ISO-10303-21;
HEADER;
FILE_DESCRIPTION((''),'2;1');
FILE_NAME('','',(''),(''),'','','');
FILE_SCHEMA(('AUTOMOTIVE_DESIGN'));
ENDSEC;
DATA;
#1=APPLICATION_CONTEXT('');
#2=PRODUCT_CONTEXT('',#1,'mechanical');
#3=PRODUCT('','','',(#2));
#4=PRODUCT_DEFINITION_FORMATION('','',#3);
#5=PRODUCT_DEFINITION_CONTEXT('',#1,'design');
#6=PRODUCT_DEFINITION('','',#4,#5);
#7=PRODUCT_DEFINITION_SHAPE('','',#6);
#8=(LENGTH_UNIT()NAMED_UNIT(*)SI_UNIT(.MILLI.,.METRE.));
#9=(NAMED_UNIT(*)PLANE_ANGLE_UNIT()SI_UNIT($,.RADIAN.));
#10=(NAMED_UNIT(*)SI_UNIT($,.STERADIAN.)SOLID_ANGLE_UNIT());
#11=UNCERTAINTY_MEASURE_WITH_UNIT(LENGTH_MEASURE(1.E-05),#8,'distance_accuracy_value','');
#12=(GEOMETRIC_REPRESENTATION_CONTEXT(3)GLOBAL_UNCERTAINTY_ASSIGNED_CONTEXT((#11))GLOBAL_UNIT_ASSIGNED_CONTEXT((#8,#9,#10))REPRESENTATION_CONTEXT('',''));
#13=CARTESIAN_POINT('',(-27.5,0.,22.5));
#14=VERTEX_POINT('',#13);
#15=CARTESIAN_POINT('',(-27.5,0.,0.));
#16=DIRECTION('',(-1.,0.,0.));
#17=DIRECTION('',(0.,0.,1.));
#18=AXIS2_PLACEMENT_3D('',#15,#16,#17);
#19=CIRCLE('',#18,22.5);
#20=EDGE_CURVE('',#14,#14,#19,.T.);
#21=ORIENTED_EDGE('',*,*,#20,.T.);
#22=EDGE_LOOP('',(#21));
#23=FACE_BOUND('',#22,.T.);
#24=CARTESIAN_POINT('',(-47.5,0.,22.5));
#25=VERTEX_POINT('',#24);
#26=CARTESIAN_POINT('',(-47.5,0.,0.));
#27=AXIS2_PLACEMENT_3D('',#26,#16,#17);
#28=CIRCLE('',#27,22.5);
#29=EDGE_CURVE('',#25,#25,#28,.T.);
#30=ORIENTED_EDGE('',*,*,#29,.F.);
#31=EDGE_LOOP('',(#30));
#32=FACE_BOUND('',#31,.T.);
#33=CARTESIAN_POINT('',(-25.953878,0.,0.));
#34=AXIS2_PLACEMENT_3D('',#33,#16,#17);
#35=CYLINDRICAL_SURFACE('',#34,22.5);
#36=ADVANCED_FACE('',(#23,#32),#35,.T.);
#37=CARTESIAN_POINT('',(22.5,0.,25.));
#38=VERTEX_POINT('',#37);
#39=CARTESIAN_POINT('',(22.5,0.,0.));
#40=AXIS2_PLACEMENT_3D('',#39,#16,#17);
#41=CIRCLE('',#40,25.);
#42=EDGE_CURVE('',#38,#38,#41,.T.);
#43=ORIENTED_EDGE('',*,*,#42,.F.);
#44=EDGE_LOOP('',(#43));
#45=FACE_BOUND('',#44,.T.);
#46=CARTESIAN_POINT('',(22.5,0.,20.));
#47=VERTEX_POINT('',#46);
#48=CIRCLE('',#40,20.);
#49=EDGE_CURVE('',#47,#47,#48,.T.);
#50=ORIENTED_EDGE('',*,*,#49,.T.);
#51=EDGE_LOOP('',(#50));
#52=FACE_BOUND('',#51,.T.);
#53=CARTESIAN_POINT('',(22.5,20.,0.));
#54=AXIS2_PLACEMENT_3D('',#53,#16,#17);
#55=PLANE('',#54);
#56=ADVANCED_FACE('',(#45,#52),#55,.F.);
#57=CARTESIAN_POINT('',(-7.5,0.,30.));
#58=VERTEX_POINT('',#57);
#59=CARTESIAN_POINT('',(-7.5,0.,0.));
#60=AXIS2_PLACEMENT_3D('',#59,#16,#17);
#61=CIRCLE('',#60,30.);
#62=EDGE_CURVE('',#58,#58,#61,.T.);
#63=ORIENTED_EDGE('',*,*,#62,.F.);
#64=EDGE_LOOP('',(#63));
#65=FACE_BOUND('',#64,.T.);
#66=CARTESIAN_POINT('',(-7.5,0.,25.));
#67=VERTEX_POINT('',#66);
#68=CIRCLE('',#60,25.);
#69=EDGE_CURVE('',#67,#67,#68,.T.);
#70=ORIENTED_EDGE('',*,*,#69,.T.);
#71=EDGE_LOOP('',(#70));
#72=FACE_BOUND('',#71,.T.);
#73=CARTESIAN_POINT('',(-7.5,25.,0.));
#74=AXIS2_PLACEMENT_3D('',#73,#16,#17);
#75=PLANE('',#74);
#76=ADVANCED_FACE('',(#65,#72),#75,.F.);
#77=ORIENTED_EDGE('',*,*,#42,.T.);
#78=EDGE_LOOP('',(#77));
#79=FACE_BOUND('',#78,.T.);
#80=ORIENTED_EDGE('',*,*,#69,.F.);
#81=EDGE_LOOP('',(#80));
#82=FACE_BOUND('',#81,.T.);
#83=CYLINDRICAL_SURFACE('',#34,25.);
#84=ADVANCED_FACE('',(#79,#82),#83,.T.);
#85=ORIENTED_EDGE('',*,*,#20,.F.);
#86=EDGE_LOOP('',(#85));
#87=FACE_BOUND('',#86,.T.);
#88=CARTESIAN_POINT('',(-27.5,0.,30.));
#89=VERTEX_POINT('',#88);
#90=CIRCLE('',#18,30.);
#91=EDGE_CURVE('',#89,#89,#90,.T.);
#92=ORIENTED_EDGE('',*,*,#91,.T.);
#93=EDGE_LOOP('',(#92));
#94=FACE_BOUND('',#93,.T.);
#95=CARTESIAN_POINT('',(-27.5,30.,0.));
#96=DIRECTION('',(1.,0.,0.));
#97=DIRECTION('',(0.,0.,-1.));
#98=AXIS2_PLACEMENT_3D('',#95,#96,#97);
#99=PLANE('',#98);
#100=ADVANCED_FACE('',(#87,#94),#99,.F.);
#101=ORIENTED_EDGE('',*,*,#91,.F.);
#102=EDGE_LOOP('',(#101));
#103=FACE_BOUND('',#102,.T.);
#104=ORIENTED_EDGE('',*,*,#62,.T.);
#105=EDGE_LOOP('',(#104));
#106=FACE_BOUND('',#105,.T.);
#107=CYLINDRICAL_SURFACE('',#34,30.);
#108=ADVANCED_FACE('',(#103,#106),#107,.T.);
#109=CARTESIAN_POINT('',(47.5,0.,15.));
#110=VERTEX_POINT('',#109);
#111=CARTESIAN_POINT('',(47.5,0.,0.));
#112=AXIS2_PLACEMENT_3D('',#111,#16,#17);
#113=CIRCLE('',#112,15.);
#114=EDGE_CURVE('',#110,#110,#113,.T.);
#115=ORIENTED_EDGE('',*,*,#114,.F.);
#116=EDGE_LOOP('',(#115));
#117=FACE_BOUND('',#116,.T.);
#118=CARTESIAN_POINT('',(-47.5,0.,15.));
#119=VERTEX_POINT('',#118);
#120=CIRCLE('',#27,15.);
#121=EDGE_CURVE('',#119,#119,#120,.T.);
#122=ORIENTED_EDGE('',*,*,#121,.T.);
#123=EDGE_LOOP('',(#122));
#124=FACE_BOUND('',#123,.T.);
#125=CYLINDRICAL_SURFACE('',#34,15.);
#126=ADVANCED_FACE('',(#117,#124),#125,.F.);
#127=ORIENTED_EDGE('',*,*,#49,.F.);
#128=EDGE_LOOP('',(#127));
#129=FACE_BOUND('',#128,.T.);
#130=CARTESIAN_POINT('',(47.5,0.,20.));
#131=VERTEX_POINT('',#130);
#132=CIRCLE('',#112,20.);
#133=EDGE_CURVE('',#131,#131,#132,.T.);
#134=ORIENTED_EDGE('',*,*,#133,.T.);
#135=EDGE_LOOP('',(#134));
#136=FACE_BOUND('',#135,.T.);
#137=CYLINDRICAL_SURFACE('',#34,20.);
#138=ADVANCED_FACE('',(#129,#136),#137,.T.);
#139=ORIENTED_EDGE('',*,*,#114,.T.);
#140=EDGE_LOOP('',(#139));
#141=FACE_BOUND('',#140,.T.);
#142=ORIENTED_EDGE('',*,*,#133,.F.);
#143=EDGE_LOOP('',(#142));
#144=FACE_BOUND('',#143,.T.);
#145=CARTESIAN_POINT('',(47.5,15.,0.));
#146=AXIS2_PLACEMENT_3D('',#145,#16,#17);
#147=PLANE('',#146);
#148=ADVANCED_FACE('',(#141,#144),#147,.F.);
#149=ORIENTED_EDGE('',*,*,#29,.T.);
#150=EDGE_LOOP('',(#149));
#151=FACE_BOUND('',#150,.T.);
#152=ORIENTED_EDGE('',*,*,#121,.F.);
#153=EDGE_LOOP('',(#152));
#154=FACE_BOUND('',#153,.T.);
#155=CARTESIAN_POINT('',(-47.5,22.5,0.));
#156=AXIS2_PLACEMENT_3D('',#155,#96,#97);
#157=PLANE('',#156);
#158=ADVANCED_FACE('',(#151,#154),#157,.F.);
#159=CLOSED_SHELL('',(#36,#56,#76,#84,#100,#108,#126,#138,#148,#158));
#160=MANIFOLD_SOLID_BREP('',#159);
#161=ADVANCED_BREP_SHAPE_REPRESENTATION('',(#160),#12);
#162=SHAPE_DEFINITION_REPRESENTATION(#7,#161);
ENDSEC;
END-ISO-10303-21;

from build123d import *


with BuildPart() as part:
    # Sketch1 → Revolve1 (revolve)
    with BuildSketch(Plane.XY):
        Polygon((-47.5, 22.5), (-47.5, 15), (47.5, 15), (47.5, 20), (22.5, 20), (22.5, 25), (-7.5, 25), (-7.5, 30), (-27.5, 30), (-27.5, 22.5), align=None)
    revolve(axis=Axis((-25.953878407, 0, 0), (1, 0, 0)))


solid = part.part
